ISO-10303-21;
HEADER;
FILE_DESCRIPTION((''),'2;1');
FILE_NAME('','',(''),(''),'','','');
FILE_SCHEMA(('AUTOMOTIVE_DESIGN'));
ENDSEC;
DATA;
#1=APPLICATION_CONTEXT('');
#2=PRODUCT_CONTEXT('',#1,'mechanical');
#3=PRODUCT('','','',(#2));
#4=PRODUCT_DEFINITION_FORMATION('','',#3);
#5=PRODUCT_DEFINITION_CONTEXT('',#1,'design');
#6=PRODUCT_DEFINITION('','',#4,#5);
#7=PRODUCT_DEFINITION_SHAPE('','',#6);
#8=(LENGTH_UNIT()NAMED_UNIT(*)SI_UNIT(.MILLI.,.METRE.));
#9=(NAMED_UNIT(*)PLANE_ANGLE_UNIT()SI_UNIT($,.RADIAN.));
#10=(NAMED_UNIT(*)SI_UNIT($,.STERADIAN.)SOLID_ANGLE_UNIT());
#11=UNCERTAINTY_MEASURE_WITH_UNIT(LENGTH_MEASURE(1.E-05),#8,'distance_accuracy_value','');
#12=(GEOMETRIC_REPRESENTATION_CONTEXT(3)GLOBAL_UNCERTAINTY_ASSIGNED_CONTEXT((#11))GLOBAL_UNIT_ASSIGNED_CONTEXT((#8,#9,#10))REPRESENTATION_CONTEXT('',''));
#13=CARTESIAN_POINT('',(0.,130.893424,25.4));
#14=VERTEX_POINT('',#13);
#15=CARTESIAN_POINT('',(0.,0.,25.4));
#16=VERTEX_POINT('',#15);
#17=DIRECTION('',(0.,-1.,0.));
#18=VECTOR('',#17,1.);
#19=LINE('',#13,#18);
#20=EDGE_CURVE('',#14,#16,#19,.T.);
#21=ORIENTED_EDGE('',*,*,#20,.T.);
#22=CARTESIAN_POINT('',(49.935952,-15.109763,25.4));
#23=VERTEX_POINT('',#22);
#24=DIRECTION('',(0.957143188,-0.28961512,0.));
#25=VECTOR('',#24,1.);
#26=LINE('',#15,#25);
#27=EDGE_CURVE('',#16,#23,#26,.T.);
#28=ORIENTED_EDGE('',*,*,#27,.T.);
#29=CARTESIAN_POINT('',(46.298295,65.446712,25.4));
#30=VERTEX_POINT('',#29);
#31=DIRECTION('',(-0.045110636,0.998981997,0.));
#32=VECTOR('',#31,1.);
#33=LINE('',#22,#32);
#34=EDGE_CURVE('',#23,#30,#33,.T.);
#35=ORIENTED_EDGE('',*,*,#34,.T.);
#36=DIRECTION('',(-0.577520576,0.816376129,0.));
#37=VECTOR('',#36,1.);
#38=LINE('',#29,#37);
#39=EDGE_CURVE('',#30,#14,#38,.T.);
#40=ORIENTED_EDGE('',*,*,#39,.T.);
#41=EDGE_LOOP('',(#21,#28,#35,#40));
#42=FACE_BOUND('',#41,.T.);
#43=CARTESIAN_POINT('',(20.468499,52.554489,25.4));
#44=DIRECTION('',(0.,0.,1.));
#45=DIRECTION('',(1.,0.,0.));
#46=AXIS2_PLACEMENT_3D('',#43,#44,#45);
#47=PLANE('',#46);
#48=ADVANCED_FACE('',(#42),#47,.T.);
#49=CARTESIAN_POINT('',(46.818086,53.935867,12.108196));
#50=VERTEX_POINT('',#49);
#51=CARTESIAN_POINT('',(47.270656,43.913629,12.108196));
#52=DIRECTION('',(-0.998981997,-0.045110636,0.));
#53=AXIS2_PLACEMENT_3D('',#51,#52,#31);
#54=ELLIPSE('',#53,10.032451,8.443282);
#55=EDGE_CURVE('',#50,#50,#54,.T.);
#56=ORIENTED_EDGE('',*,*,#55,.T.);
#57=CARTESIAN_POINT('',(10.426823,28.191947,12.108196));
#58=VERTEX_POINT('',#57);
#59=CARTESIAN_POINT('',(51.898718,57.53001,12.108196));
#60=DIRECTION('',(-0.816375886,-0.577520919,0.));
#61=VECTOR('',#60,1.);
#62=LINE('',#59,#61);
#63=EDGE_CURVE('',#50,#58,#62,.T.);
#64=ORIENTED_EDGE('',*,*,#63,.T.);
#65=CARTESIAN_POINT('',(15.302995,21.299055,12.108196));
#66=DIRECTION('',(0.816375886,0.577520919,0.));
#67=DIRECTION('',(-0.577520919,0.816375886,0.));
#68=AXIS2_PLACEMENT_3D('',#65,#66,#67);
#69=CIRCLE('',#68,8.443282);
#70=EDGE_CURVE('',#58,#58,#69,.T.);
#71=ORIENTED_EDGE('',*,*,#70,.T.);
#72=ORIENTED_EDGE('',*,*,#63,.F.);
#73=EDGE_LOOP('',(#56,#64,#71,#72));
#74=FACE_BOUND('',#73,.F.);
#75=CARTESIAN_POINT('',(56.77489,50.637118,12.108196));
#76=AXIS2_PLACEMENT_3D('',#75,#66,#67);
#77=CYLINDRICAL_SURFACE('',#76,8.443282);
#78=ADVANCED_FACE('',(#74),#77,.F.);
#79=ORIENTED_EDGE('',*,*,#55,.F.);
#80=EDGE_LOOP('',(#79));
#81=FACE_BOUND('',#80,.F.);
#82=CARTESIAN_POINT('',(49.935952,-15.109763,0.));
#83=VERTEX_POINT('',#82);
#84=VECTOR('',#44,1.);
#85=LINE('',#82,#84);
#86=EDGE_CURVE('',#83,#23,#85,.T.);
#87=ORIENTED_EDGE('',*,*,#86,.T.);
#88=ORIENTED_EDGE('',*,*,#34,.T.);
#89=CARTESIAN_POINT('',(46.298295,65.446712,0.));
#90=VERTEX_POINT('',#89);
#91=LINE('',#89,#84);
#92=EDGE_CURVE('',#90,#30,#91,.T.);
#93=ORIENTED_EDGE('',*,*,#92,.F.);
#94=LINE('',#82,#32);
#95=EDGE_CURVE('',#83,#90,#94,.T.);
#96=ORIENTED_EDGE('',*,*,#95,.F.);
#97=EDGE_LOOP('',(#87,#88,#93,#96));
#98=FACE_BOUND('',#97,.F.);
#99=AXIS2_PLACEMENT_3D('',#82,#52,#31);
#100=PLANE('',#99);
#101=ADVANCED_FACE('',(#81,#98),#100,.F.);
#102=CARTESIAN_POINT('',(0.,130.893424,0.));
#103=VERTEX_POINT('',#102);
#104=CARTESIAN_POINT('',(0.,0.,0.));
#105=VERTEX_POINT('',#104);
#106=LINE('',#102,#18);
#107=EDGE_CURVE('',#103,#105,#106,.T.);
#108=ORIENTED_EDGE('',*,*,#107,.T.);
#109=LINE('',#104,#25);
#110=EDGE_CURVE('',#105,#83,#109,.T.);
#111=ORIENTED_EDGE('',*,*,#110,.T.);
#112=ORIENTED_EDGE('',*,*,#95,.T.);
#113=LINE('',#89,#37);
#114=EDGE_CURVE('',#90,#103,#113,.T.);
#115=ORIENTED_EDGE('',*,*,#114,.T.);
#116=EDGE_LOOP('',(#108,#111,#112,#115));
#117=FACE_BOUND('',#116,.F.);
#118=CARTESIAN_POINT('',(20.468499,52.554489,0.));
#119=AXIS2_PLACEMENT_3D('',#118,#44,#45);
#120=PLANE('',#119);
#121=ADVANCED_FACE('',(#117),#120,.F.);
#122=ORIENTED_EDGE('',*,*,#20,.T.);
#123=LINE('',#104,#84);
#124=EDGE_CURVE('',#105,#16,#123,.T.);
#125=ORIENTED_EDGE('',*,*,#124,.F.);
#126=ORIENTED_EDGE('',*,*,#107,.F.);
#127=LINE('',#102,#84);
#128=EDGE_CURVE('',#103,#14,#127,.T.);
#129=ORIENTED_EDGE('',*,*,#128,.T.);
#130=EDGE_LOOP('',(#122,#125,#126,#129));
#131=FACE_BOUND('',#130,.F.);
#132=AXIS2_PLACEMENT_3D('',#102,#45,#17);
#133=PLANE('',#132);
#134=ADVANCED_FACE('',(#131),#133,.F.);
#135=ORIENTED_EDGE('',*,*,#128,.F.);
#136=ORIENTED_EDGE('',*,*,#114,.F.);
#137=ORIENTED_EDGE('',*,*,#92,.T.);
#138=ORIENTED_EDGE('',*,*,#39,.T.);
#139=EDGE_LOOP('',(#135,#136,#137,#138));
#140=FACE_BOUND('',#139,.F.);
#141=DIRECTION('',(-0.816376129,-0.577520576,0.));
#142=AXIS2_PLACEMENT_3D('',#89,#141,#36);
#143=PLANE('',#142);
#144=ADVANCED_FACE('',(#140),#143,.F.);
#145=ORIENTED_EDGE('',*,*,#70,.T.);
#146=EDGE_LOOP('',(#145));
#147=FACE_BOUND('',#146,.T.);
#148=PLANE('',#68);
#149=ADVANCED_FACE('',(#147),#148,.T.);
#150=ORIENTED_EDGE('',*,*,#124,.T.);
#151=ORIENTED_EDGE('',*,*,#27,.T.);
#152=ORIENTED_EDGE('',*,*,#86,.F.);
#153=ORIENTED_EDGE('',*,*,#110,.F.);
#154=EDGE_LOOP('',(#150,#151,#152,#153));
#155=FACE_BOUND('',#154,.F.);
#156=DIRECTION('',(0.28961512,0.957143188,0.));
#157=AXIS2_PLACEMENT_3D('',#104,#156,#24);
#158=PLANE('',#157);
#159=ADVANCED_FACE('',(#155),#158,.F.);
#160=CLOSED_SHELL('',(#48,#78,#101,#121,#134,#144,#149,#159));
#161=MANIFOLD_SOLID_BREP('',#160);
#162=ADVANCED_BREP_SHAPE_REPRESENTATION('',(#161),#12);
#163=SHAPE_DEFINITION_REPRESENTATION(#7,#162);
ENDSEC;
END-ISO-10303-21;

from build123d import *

# Parameters (mm, degrees)
F0_DEPTH = 25.4
F3_R     = 8.443282
F1_DEPTH = 50.8


with BuildPart() as f0:
    # F2 (on Top) → F0 (new body)
    with BuildSketch(Plane.XY):
        Polygon((0, 130.893424), (0, 0), (49.935952, -15.109763), (46.298295, 65.446712), align=None)
    extrude(amount=F0_DEPTH)

    # F3 (on face) → F1 (cut)
    with BuildSketch(Plane(origin=(61.712848, 43.656886, 0), x_dir=(-0.577521, 0.816376, 0), z_dir=(0.816376, 0.577521, 0))):
        with Locations((8.550267, 12.108196)):
            Circle(F3_R)
    extrude(amount=-F1_DEPTH, mode=Mode.SUBTRACT)


solid = f0.part
